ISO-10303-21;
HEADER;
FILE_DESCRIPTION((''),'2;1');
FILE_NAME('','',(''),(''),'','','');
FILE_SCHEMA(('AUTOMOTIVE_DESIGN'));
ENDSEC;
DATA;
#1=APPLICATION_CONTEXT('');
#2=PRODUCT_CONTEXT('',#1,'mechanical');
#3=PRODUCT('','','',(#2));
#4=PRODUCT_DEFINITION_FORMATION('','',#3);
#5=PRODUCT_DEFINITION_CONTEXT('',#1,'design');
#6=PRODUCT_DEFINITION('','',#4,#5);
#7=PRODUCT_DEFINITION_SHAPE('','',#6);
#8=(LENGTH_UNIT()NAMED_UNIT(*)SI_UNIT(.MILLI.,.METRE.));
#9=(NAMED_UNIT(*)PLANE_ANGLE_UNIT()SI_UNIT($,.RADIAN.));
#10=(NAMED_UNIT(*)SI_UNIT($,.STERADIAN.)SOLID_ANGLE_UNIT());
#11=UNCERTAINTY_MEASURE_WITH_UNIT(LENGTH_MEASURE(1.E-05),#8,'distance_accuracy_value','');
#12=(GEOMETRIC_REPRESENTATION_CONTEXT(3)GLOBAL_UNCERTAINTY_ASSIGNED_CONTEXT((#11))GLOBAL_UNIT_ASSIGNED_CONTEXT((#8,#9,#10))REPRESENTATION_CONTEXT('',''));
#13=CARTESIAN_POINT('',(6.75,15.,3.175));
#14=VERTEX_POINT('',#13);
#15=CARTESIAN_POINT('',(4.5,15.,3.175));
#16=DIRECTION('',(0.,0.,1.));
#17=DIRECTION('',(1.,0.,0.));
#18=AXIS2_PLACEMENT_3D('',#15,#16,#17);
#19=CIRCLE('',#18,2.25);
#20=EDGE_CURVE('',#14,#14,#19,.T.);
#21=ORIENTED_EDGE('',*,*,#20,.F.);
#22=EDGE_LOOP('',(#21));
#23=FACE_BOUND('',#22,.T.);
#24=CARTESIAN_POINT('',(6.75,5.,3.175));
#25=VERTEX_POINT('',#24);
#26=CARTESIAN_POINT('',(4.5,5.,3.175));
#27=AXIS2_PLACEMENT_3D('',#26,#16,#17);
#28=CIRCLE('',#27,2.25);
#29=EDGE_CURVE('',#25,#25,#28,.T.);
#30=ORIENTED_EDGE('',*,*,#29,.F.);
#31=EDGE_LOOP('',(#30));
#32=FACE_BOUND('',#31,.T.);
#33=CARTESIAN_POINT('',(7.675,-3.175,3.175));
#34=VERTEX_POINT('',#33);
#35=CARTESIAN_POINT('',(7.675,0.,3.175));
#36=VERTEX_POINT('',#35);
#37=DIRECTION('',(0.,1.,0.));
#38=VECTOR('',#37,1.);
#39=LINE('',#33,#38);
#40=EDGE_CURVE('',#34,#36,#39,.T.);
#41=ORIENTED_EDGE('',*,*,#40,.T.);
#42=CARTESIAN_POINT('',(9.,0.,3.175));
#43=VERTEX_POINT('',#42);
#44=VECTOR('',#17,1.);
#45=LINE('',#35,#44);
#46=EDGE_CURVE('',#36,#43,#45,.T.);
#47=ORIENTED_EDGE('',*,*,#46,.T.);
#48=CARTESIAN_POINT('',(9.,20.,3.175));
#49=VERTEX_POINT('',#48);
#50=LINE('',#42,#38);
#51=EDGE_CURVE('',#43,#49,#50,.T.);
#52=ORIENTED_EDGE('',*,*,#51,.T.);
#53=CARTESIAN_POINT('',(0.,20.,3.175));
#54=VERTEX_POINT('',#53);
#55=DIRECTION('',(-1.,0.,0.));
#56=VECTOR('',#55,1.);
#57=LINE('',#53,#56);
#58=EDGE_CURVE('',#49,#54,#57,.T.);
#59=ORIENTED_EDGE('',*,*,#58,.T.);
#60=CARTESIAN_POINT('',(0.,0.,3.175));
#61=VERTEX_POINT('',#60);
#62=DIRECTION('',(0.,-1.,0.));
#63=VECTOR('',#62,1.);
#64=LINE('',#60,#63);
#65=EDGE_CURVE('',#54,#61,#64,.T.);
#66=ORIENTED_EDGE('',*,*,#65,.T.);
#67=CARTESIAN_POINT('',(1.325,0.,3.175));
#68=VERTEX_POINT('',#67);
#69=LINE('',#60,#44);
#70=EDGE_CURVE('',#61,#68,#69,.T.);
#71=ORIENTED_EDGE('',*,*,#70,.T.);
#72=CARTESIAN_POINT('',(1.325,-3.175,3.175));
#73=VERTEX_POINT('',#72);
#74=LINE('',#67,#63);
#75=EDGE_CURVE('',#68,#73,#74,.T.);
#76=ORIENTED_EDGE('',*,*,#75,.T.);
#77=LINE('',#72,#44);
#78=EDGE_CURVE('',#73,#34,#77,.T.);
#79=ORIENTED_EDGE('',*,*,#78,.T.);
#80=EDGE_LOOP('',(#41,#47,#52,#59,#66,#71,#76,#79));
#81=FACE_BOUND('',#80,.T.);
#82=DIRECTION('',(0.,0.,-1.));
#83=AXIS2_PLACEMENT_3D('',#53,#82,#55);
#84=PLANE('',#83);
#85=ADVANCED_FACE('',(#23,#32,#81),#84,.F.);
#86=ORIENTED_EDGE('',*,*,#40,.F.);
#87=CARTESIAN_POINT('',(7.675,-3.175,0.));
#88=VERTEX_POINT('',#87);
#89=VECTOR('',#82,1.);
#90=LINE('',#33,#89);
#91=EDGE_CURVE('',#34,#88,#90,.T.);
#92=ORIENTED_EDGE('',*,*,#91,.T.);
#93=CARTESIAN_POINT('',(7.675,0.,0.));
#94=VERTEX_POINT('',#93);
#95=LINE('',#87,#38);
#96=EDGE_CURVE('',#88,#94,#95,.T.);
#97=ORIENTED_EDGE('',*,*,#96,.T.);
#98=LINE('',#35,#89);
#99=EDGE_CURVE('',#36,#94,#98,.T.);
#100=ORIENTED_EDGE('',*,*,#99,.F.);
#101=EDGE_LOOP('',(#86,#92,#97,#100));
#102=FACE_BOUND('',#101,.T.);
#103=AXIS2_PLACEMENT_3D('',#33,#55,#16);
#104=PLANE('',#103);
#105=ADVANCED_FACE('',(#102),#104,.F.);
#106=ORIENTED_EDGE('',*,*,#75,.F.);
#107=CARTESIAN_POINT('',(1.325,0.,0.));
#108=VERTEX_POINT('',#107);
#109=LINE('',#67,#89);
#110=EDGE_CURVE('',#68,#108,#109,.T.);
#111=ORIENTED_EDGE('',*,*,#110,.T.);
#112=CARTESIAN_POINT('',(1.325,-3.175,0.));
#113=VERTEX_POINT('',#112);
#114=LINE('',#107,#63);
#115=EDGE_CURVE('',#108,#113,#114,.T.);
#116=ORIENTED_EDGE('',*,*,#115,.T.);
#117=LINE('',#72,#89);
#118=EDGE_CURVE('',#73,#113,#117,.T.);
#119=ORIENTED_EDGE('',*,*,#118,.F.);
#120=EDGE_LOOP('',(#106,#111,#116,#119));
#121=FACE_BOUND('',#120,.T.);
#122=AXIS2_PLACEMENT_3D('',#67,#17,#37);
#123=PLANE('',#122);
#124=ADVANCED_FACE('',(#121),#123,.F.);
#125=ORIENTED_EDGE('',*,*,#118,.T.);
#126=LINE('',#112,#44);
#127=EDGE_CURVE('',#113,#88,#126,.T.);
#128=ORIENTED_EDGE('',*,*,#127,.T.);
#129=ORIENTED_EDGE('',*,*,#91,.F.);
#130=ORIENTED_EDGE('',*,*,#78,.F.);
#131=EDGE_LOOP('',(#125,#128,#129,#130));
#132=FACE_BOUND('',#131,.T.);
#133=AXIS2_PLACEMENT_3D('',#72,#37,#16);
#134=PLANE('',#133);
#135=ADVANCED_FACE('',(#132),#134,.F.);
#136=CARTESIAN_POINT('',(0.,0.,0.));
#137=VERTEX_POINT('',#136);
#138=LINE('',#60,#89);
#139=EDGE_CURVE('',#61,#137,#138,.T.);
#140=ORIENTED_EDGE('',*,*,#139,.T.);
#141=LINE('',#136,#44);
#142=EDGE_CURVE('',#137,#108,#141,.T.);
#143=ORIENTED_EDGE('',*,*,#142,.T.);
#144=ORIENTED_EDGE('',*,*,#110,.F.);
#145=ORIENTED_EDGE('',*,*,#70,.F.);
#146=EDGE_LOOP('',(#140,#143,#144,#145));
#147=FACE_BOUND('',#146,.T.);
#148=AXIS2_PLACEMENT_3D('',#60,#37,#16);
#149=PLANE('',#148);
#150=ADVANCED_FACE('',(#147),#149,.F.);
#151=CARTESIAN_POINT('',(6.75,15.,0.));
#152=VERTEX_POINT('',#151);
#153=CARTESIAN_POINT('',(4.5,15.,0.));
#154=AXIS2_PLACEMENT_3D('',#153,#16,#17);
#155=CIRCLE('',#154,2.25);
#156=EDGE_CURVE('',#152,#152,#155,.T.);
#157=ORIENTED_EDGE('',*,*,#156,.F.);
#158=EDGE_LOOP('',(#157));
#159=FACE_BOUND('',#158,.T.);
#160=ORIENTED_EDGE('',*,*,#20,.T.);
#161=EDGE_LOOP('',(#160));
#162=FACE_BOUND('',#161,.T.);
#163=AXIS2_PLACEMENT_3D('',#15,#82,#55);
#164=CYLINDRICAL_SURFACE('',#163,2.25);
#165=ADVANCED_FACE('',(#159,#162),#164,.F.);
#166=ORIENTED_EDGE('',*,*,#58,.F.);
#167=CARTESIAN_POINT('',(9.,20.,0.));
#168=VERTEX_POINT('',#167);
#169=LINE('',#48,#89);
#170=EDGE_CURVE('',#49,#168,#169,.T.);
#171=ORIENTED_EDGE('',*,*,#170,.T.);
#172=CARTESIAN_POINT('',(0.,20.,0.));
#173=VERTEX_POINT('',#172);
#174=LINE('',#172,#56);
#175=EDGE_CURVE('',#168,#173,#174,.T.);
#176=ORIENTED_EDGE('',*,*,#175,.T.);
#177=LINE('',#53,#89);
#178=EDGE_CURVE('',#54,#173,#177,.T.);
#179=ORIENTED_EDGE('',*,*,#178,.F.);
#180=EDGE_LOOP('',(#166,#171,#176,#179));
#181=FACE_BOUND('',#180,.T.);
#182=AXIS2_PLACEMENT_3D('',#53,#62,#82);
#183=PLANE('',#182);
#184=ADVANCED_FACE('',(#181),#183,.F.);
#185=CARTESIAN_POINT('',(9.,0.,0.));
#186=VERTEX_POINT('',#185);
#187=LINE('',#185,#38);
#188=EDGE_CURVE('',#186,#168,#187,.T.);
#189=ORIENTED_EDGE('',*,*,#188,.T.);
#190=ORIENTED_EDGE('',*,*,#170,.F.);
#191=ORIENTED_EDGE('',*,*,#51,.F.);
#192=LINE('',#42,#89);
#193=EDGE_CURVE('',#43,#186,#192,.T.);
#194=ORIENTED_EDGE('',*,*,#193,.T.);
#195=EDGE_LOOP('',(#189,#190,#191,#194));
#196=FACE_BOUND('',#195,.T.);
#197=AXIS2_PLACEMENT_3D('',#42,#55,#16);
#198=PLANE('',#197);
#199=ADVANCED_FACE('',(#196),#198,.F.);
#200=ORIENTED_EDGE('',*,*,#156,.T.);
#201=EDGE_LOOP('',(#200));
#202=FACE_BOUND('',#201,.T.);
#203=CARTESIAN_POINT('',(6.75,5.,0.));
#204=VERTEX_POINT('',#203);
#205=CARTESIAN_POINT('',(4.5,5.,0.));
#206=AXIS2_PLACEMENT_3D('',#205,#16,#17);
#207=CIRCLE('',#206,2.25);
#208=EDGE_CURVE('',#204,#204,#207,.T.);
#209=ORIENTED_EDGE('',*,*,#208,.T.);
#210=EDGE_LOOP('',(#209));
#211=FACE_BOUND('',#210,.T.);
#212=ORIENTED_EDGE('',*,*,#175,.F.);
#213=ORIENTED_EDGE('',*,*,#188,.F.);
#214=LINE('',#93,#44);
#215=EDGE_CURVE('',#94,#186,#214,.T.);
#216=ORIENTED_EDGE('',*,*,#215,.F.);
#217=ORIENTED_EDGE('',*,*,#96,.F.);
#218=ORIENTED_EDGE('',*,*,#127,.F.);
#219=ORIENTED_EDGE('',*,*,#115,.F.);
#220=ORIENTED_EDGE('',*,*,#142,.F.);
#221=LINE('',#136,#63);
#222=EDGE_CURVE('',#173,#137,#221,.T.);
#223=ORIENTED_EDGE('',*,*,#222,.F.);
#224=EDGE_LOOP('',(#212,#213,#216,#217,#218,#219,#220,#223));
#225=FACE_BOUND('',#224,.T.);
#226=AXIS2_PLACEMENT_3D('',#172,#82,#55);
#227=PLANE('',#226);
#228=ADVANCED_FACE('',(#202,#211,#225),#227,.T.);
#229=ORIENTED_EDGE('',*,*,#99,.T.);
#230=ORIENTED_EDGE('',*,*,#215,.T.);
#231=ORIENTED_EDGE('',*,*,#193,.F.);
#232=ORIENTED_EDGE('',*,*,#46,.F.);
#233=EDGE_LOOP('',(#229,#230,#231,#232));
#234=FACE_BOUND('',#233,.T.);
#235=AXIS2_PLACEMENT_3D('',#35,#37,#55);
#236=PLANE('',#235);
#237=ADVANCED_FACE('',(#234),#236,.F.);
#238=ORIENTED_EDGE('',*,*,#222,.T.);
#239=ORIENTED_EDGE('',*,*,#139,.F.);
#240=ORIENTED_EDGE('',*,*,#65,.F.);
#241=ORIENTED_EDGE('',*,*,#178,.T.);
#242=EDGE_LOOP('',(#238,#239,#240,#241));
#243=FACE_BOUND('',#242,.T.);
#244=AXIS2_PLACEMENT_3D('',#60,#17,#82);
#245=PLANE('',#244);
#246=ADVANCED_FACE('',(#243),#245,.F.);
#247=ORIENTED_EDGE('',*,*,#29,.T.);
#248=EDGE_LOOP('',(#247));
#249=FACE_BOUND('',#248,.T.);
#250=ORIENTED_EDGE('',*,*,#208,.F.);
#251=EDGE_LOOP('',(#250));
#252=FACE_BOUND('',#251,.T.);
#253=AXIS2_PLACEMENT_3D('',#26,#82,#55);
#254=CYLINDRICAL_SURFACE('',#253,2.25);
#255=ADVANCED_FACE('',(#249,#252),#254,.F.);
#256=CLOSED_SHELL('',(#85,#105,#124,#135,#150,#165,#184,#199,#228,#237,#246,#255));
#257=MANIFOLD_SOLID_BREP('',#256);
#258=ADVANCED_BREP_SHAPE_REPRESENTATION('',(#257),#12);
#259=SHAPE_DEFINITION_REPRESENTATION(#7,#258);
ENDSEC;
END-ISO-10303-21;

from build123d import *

# Parameters (mm, degrees)
SKETCH1_R           = 2.25
BOSS_EXTRUDE2_DEPTH = 3.175


with BuildPart() as part:
    # Sketch1 → Boss-Extrude2 (new body)
    with BuildSketch(Plane.XY):
        Polygon((0, 0), (1.325, 0), (1.325, -3.175), (7.675, -3.175), (7.675, 0), (9, 0), (9, 20), (0, 20), align=None)
        with Locations((4.5, 5)):
            Circle(SKETCH1_R, mode=Mode.SUBTRACT)
        with Locations((4.5, 15)):
            Circle(SKETCH1_R, mode=Mode.SUBTRACT)
    extrude(amount=BOSS_EXTRUDE2_DEPTH)


solid = part.part
